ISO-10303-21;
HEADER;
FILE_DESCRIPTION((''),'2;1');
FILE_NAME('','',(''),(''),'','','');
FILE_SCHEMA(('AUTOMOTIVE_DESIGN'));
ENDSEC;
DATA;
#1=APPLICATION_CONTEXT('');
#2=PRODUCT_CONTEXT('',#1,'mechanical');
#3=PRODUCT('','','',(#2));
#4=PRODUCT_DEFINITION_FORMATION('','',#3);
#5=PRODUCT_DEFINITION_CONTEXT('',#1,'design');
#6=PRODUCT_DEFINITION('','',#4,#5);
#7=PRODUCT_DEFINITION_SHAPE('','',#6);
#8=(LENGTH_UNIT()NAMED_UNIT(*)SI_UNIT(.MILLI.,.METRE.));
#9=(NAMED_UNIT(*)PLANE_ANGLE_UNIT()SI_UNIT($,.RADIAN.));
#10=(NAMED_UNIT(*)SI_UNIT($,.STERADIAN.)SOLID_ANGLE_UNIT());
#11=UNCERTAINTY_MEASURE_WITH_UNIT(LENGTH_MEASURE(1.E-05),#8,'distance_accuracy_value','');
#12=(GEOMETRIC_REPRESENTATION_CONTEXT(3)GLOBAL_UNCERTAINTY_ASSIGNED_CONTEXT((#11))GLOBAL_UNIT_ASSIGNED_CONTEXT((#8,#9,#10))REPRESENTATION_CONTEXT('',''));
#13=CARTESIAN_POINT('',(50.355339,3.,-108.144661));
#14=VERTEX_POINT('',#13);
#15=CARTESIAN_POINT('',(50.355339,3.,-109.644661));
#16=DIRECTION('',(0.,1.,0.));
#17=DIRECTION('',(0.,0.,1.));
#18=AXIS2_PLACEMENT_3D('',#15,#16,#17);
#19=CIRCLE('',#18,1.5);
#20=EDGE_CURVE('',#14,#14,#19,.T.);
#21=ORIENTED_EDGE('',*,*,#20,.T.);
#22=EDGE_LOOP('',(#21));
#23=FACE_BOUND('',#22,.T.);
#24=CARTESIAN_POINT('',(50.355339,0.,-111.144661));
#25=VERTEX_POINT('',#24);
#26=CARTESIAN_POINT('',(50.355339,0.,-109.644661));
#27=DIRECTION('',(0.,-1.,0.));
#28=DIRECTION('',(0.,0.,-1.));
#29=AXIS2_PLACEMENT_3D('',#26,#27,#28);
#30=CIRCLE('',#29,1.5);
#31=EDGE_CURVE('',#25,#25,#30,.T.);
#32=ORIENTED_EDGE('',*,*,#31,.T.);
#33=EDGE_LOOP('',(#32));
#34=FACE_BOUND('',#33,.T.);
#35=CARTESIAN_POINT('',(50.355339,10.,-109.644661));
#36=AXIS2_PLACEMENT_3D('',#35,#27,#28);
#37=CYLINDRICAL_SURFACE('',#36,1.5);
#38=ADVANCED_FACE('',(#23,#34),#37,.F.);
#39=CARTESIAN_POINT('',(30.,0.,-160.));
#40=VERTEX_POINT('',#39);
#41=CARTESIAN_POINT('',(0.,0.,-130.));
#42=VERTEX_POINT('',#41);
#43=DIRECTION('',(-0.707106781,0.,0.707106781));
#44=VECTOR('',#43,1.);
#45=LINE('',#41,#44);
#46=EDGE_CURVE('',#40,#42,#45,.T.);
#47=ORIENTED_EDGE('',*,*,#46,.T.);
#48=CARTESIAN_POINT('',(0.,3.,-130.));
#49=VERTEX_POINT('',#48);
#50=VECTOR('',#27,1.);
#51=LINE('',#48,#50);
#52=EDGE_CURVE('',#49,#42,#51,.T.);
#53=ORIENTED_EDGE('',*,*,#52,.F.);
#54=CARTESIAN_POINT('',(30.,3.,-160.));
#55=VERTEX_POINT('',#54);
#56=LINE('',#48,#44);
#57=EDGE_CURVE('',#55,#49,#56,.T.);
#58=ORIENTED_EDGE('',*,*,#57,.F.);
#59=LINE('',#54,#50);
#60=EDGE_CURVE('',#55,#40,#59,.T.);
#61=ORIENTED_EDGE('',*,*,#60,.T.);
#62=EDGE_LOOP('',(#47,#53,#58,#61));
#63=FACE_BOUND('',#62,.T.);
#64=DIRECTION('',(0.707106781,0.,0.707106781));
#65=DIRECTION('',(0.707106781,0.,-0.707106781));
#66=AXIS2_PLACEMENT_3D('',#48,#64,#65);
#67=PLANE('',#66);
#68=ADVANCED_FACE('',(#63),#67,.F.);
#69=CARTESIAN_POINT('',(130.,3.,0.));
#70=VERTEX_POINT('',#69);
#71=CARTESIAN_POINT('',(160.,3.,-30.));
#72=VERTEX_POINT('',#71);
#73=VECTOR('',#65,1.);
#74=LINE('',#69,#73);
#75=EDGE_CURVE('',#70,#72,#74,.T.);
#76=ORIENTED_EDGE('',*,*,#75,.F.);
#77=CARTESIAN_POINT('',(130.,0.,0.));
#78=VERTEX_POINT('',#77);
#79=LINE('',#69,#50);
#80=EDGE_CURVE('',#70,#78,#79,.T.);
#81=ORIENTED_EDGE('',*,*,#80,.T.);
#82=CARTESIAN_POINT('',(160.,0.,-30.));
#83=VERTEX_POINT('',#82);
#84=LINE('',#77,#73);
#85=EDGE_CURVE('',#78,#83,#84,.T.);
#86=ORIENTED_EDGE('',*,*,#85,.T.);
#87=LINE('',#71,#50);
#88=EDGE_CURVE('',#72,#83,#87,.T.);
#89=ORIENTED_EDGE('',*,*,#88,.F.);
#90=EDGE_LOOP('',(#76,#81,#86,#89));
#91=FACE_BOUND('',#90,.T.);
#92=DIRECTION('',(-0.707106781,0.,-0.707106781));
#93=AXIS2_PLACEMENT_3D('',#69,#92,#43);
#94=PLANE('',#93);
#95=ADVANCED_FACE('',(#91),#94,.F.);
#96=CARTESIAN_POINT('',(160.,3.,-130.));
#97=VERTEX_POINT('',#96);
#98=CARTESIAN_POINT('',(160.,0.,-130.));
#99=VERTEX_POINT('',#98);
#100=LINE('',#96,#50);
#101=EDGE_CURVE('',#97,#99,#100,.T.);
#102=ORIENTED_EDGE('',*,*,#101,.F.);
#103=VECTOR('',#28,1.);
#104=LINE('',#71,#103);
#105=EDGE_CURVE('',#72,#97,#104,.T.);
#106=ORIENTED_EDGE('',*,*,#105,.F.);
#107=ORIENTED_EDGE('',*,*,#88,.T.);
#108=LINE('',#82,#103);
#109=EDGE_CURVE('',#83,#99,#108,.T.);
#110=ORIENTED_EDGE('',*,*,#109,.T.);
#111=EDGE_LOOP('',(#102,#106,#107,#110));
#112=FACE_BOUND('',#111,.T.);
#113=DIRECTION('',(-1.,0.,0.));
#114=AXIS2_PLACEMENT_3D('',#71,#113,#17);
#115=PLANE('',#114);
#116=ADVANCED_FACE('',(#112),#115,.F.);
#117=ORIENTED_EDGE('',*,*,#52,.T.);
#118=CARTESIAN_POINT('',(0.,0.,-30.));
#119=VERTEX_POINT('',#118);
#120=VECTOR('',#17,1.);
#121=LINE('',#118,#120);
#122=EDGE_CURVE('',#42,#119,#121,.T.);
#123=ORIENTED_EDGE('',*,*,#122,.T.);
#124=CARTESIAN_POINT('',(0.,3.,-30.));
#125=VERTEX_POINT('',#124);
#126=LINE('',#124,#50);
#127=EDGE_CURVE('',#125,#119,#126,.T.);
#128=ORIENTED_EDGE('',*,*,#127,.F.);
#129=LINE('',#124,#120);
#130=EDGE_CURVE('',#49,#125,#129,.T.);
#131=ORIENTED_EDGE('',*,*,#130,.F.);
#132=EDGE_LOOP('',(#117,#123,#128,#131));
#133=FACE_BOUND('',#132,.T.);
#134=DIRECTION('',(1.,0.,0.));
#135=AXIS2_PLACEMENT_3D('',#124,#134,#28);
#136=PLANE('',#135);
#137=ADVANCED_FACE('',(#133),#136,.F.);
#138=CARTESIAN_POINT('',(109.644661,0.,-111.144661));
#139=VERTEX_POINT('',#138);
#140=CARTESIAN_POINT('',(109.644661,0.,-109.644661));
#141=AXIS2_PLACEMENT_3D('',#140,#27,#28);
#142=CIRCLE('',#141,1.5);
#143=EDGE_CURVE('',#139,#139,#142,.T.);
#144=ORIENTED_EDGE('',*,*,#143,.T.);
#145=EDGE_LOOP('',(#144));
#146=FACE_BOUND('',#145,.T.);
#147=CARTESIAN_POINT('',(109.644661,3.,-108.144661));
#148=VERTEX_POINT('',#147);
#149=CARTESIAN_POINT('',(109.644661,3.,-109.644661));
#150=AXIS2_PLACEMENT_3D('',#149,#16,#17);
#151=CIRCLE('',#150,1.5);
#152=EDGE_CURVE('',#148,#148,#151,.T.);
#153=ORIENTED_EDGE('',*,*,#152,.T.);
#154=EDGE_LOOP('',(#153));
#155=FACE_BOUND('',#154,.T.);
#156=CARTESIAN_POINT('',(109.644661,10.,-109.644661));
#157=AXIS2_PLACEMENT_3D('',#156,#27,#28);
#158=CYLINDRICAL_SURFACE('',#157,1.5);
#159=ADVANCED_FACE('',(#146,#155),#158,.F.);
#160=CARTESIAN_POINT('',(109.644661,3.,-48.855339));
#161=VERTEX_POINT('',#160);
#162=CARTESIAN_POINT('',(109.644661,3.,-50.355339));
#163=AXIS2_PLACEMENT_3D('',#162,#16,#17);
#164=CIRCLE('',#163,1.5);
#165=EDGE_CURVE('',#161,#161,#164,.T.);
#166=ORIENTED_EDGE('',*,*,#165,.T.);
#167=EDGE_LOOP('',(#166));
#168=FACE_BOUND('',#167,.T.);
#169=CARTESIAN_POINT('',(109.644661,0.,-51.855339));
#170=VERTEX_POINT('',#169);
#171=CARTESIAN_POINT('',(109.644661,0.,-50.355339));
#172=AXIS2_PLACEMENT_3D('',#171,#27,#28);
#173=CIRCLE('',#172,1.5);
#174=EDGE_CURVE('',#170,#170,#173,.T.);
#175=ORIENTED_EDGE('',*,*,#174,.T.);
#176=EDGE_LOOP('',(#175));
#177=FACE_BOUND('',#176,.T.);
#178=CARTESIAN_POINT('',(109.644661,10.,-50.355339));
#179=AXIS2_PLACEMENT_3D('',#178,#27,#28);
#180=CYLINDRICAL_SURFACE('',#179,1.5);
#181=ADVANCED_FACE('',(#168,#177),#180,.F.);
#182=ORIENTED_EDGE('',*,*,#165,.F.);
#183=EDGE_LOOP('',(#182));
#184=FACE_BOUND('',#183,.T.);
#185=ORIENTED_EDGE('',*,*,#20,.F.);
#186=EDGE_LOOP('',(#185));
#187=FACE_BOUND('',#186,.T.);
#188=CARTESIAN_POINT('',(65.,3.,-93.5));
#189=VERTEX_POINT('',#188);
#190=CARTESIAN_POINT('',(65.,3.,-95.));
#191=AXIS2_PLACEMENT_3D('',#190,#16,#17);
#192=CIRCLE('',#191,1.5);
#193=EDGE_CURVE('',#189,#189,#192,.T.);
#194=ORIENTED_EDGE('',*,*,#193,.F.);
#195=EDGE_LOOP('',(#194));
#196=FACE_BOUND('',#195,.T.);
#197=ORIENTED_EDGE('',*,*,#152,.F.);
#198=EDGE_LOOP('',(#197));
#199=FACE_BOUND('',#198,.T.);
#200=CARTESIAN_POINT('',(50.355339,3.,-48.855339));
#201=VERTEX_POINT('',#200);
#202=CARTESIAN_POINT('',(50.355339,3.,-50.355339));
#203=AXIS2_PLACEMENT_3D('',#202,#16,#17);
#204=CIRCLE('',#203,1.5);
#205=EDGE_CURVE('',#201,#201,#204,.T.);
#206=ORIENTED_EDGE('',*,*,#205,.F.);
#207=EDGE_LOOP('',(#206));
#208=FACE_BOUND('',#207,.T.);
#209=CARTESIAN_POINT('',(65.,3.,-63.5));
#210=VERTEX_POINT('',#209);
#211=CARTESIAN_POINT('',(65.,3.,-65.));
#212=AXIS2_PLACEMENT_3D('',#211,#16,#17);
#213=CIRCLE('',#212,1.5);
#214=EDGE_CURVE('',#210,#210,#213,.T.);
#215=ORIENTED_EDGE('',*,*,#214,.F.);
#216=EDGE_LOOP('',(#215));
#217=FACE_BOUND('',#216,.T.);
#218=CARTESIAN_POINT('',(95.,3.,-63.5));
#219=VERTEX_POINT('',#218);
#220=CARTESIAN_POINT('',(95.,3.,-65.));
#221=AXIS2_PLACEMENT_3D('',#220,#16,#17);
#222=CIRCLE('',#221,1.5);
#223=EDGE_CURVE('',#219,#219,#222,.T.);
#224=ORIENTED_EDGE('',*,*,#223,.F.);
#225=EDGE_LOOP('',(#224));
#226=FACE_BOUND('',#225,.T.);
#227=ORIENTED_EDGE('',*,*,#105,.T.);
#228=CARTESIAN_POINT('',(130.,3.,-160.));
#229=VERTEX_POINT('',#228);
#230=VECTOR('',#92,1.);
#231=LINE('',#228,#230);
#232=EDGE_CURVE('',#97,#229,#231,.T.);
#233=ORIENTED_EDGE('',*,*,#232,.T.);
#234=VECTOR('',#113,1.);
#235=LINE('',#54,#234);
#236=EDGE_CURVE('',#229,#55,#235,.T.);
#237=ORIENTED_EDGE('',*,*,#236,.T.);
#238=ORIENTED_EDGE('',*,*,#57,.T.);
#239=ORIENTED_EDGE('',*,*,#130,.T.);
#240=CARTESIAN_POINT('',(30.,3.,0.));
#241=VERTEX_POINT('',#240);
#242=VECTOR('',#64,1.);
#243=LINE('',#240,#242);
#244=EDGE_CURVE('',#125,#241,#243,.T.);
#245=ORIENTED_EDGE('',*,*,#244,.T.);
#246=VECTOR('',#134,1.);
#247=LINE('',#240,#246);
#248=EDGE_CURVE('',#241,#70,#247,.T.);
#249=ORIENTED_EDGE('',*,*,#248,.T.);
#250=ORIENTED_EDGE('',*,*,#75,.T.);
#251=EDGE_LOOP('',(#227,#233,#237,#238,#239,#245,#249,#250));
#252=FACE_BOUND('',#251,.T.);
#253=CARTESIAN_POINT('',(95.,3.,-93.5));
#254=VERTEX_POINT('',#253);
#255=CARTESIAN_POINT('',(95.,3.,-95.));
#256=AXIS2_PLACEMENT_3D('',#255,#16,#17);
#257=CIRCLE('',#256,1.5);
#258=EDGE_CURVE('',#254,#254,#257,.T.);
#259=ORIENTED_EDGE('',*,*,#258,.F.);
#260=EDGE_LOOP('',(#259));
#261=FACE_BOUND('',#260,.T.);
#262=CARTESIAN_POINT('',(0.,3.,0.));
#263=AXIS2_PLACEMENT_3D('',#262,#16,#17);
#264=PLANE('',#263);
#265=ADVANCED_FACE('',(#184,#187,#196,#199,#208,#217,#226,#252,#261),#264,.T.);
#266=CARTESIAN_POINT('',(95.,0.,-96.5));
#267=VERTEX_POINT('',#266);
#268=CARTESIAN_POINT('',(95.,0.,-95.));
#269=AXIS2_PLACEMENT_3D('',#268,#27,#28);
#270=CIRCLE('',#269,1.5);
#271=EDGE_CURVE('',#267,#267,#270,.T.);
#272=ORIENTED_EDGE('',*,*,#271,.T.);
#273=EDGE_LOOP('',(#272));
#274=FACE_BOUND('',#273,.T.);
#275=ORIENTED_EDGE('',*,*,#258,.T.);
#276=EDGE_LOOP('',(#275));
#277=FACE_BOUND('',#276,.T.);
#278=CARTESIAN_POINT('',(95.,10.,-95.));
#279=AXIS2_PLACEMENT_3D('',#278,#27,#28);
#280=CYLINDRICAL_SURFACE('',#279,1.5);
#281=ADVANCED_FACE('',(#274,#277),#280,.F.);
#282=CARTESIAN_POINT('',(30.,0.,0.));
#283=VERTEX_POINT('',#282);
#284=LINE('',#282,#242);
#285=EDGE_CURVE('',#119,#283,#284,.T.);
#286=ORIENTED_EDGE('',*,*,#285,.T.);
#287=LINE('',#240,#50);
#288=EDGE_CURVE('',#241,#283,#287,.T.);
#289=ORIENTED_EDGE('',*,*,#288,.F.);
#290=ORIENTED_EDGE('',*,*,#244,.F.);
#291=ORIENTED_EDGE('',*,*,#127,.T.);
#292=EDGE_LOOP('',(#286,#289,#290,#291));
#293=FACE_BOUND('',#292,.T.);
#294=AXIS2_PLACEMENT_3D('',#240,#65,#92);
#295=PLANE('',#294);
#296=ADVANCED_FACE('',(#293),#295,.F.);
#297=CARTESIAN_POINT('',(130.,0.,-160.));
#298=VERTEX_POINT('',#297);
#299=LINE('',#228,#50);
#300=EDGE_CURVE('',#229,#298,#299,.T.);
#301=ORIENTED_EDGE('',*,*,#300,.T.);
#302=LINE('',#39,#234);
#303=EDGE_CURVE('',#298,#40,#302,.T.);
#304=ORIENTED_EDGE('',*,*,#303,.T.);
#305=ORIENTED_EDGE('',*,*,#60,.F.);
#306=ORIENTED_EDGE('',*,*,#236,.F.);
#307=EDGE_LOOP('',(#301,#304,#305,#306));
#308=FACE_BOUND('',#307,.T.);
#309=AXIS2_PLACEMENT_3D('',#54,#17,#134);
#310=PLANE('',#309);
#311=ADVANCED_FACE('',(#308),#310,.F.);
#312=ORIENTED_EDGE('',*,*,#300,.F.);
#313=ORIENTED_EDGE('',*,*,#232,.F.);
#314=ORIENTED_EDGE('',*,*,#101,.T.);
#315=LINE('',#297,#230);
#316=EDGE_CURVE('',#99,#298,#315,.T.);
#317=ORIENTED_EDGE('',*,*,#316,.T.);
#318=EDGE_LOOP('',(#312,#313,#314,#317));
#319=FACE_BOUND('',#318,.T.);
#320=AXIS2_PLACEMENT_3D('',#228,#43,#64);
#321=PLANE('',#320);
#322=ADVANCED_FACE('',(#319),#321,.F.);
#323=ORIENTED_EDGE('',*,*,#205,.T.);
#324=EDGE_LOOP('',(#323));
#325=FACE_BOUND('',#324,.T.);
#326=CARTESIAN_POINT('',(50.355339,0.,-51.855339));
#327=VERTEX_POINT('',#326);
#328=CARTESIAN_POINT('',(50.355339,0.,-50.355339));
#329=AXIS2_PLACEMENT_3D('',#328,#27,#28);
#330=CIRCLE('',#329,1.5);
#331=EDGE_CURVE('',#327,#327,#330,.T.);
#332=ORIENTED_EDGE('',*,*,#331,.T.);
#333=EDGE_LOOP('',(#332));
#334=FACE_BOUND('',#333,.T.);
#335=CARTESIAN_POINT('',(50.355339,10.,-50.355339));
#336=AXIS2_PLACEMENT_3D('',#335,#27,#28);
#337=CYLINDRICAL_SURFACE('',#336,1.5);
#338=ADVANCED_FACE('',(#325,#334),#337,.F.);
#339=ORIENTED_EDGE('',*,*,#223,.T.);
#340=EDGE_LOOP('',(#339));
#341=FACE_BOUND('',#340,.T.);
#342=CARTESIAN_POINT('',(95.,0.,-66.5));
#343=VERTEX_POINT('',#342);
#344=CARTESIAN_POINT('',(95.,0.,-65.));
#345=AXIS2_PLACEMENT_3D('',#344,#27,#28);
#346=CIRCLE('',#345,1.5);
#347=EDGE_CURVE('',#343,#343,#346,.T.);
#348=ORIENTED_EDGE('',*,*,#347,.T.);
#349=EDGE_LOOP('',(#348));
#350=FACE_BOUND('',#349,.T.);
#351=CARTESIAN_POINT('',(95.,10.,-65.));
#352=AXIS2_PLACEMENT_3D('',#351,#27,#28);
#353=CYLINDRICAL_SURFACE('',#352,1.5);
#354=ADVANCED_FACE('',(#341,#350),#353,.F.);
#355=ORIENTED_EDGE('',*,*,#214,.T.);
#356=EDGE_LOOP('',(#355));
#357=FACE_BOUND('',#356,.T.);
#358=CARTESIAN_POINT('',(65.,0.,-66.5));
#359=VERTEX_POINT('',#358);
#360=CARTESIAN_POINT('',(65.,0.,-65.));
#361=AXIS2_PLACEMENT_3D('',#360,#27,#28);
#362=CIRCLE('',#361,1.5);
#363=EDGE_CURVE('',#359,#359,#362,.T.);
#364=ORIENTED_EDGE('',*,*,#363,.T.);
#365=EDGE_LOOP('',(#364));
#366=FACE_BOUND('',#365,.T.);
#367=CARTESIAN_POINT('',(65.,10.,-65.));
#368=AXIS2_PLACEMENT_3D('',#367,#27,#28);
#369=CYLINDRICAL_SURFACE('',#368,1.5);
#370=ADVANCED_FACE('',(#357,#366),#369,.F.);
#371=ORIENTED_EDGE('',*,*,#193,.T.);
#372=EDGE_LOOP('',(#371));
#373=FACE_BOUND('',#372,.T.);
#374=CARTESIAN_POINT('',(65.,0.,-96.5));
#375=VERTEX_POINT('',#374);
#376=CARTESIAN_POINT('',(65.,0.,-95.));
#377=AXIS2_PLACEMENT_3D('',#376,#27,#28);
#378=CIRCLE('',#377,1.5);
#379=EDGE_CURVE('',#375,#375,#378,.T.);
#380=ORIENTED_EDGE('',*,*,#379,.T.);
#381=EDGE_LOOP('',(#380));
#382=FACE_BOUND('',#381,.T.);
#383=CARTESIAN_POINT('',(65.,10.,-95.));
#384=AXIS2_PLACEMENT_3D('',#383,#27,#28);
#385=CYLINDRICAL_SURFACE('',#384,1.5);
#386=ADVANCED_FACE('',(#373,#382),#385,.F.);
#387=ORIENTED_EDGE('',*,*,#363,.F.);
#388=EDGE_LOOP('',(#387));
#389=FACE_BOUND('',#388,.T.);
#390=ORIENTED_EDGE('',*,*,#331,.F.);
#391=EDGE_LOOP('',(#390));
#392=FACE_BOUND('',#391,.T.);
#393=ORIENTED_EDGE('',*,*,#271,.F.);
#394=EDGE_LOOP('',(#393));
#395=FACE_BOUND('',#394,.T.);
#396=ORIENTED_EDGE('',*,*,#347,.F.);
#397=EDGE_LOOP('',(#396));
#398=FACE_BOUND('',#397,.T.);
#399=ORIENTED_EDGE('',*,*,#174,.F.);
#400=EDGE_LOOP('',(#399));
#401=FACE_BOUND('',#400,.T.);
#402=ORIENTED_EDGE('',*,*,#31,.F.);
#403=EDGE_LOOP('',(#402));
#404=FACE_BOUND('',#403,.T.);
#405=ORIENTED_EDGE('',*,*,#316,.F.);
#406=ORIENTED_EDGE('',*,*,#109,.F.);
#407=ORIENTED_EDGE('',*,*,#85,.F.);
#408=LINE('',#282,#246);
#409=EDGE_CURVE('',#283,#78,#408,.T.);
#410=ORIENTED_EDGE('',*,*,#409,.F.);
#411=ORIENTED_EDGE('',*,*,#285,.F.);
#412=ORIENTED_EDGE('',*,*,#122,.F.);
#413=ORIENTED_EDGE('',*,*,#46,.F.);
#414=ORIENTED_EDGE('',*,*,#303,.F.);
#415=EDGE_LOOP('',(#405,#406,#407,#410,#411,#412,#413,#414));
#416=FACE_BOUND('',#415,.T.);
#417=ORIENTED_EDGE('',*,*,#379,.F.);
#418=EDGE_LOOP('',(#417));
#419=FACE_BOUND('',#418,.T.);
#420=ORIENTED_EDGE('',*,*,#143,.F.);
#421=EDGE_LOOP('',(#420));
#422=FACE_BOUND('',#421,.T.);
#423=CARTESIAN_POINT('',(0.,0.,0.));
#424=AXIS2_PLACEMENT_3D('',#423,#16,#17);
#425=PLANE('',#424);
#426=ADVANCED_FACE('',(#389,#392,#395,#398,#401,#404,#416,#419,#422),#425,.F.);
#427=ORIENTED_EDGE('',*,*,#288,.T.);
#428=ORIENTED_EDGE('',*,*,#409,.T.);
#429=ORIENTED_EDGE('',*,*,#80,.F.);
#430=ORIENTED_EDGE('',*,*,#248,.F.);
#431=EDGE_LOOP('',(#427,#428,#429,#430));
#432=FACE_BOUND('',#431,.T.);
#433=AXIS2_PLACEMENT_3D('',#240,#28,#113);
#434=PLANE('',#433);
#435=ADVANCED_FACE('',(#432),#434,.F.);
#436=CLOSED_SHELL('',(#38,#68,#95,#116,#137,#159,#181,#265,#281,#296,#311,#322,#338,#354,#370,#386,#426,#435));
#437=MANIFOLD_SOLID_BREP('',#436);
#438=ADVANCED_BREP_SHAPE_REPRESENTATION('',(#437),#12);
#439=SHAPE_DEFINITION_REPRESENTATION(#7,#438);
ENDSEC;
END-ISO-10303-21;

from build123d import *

# Parameters (mm, degrees)
BOSS_EXTRUDE1_DEPTH = 3
SKETCH3_R           = 1.5
CUT_EXTRUDE1_DEPTH  = 10


with BuildPart() as part:
    # Sketch1 → Boss-Extrude1 (new body)
    with BuildSketch(Plane(origin=(0, 0, 0), x_dir=(1, 0, 0), z_dir=(0, 1, 0))):
        Polygon((0, 130), (30, 160), (130, 160), (160, 130), (160, 30), (130, 0), (30, 0), (0, 30), align=None)
    extrude(amount=BOSS_EXTRUDE1_DEPTH)

    # Sketch3 → Cut-Extrude1 (cut)
    with BuildSketch(Plane.XZ):
        with BuildLine():
            ThreePointArc((49.294678888, -49.294678888), (49.294678888, -51.415999231), (51.415999231, -51.415999231))
            Line((51.415999231, -51.415999231), (49.294678888, -49.294678888))
        make_face()
        with BuildLine():
            Line((49.294678888, -49.294678888), (51.415999231, -51.415999231))
            ThreePointArc((51.415999231, -51.415999231), (51.741158358, -50.929364208), (51.855339059, -50.355339059))
            ThreePointArc((51.855339059, -50.355339059), (50.929364208, -48.969519761), (49.294678888, -49.294678888))
        make_face()
        with BuildLine():
            ThreePointArc((110.705321112, -49.294678888), (108.584000769, -49.294678888), (108.584000769, -51.415999231))
            Line((108.584000769, -51.415999231), (110.705321112, -49.294678888))
        make_face()
        with BuildLine():
            Line((110.705321112, -49.294678888), (108.584000769, -51.415999231))
            ThreePointArc((108.584000769, -51.415999231), (110.218686089, -51.741158358), (111.144660941, -50.355339059))
            ThreePointArc((111.144660941, -50.355339059), (111.030480239, -49.781313911), (110.705321112, -49.294678888))
        make_face()
        with BuildLine():
            ThreePointArc((111.144660941, -109.644660941), (110.218686089, -108.258841642), (108.584000769, -108.584000769))
            Line((108.584000769, -108.584000769), (110.705321112, -110.705321112))
            ThreePointArc((110.705321112, -110.705321112), (111.030480239, -110.218686089), (111.144660941, -109.644660941))
        make_face()
        with BuildLine():
            Line((110.705321112, -110.705321112), (108.584000769, -108.584000769))
            ThreePointArc((108.584000769, -108.584000769), (108.584000769, -110.705321112), (110.705321112, -110.705321112))
        make_face()
        with BuildLine():
            ThreePointArc((51.415999231, -108.584000769), (49.294678888, -108.584000769), (49.294678888, -110.705321112))
            Line((49.294678888, -110.705321112), (51.415999231, -108.584000769))
        make_face()
        with BuildLine():
            Line((51.415999231, -108.584000769), (49.294678888, -110.705321112))
            ThreePointArc((49.294678888, -110.705321112), (50.929364208, -111.030480239), (51.855339059, -109.644660941))
            ThreePointArc((51.855339059, -109.644660941), (51.741158358, -109.070635792), (51.415999231, -108.584000769))
        make_face()
        with Locations((65, -95)):
            Circle(SKETCH3_R)
        with Locations((95, -95)):
            Circle(SKETCH3_R)
        with Locations((65, -65)):
            Circle(SKETCH3_R)
        with Locations((95, -65)):
            Circle(SKETCH3_R)
    extrude(amount=-CUT_EXTRUDE1_DEPTH, mode=Mode.SUBTRACT)


solid = part.part
